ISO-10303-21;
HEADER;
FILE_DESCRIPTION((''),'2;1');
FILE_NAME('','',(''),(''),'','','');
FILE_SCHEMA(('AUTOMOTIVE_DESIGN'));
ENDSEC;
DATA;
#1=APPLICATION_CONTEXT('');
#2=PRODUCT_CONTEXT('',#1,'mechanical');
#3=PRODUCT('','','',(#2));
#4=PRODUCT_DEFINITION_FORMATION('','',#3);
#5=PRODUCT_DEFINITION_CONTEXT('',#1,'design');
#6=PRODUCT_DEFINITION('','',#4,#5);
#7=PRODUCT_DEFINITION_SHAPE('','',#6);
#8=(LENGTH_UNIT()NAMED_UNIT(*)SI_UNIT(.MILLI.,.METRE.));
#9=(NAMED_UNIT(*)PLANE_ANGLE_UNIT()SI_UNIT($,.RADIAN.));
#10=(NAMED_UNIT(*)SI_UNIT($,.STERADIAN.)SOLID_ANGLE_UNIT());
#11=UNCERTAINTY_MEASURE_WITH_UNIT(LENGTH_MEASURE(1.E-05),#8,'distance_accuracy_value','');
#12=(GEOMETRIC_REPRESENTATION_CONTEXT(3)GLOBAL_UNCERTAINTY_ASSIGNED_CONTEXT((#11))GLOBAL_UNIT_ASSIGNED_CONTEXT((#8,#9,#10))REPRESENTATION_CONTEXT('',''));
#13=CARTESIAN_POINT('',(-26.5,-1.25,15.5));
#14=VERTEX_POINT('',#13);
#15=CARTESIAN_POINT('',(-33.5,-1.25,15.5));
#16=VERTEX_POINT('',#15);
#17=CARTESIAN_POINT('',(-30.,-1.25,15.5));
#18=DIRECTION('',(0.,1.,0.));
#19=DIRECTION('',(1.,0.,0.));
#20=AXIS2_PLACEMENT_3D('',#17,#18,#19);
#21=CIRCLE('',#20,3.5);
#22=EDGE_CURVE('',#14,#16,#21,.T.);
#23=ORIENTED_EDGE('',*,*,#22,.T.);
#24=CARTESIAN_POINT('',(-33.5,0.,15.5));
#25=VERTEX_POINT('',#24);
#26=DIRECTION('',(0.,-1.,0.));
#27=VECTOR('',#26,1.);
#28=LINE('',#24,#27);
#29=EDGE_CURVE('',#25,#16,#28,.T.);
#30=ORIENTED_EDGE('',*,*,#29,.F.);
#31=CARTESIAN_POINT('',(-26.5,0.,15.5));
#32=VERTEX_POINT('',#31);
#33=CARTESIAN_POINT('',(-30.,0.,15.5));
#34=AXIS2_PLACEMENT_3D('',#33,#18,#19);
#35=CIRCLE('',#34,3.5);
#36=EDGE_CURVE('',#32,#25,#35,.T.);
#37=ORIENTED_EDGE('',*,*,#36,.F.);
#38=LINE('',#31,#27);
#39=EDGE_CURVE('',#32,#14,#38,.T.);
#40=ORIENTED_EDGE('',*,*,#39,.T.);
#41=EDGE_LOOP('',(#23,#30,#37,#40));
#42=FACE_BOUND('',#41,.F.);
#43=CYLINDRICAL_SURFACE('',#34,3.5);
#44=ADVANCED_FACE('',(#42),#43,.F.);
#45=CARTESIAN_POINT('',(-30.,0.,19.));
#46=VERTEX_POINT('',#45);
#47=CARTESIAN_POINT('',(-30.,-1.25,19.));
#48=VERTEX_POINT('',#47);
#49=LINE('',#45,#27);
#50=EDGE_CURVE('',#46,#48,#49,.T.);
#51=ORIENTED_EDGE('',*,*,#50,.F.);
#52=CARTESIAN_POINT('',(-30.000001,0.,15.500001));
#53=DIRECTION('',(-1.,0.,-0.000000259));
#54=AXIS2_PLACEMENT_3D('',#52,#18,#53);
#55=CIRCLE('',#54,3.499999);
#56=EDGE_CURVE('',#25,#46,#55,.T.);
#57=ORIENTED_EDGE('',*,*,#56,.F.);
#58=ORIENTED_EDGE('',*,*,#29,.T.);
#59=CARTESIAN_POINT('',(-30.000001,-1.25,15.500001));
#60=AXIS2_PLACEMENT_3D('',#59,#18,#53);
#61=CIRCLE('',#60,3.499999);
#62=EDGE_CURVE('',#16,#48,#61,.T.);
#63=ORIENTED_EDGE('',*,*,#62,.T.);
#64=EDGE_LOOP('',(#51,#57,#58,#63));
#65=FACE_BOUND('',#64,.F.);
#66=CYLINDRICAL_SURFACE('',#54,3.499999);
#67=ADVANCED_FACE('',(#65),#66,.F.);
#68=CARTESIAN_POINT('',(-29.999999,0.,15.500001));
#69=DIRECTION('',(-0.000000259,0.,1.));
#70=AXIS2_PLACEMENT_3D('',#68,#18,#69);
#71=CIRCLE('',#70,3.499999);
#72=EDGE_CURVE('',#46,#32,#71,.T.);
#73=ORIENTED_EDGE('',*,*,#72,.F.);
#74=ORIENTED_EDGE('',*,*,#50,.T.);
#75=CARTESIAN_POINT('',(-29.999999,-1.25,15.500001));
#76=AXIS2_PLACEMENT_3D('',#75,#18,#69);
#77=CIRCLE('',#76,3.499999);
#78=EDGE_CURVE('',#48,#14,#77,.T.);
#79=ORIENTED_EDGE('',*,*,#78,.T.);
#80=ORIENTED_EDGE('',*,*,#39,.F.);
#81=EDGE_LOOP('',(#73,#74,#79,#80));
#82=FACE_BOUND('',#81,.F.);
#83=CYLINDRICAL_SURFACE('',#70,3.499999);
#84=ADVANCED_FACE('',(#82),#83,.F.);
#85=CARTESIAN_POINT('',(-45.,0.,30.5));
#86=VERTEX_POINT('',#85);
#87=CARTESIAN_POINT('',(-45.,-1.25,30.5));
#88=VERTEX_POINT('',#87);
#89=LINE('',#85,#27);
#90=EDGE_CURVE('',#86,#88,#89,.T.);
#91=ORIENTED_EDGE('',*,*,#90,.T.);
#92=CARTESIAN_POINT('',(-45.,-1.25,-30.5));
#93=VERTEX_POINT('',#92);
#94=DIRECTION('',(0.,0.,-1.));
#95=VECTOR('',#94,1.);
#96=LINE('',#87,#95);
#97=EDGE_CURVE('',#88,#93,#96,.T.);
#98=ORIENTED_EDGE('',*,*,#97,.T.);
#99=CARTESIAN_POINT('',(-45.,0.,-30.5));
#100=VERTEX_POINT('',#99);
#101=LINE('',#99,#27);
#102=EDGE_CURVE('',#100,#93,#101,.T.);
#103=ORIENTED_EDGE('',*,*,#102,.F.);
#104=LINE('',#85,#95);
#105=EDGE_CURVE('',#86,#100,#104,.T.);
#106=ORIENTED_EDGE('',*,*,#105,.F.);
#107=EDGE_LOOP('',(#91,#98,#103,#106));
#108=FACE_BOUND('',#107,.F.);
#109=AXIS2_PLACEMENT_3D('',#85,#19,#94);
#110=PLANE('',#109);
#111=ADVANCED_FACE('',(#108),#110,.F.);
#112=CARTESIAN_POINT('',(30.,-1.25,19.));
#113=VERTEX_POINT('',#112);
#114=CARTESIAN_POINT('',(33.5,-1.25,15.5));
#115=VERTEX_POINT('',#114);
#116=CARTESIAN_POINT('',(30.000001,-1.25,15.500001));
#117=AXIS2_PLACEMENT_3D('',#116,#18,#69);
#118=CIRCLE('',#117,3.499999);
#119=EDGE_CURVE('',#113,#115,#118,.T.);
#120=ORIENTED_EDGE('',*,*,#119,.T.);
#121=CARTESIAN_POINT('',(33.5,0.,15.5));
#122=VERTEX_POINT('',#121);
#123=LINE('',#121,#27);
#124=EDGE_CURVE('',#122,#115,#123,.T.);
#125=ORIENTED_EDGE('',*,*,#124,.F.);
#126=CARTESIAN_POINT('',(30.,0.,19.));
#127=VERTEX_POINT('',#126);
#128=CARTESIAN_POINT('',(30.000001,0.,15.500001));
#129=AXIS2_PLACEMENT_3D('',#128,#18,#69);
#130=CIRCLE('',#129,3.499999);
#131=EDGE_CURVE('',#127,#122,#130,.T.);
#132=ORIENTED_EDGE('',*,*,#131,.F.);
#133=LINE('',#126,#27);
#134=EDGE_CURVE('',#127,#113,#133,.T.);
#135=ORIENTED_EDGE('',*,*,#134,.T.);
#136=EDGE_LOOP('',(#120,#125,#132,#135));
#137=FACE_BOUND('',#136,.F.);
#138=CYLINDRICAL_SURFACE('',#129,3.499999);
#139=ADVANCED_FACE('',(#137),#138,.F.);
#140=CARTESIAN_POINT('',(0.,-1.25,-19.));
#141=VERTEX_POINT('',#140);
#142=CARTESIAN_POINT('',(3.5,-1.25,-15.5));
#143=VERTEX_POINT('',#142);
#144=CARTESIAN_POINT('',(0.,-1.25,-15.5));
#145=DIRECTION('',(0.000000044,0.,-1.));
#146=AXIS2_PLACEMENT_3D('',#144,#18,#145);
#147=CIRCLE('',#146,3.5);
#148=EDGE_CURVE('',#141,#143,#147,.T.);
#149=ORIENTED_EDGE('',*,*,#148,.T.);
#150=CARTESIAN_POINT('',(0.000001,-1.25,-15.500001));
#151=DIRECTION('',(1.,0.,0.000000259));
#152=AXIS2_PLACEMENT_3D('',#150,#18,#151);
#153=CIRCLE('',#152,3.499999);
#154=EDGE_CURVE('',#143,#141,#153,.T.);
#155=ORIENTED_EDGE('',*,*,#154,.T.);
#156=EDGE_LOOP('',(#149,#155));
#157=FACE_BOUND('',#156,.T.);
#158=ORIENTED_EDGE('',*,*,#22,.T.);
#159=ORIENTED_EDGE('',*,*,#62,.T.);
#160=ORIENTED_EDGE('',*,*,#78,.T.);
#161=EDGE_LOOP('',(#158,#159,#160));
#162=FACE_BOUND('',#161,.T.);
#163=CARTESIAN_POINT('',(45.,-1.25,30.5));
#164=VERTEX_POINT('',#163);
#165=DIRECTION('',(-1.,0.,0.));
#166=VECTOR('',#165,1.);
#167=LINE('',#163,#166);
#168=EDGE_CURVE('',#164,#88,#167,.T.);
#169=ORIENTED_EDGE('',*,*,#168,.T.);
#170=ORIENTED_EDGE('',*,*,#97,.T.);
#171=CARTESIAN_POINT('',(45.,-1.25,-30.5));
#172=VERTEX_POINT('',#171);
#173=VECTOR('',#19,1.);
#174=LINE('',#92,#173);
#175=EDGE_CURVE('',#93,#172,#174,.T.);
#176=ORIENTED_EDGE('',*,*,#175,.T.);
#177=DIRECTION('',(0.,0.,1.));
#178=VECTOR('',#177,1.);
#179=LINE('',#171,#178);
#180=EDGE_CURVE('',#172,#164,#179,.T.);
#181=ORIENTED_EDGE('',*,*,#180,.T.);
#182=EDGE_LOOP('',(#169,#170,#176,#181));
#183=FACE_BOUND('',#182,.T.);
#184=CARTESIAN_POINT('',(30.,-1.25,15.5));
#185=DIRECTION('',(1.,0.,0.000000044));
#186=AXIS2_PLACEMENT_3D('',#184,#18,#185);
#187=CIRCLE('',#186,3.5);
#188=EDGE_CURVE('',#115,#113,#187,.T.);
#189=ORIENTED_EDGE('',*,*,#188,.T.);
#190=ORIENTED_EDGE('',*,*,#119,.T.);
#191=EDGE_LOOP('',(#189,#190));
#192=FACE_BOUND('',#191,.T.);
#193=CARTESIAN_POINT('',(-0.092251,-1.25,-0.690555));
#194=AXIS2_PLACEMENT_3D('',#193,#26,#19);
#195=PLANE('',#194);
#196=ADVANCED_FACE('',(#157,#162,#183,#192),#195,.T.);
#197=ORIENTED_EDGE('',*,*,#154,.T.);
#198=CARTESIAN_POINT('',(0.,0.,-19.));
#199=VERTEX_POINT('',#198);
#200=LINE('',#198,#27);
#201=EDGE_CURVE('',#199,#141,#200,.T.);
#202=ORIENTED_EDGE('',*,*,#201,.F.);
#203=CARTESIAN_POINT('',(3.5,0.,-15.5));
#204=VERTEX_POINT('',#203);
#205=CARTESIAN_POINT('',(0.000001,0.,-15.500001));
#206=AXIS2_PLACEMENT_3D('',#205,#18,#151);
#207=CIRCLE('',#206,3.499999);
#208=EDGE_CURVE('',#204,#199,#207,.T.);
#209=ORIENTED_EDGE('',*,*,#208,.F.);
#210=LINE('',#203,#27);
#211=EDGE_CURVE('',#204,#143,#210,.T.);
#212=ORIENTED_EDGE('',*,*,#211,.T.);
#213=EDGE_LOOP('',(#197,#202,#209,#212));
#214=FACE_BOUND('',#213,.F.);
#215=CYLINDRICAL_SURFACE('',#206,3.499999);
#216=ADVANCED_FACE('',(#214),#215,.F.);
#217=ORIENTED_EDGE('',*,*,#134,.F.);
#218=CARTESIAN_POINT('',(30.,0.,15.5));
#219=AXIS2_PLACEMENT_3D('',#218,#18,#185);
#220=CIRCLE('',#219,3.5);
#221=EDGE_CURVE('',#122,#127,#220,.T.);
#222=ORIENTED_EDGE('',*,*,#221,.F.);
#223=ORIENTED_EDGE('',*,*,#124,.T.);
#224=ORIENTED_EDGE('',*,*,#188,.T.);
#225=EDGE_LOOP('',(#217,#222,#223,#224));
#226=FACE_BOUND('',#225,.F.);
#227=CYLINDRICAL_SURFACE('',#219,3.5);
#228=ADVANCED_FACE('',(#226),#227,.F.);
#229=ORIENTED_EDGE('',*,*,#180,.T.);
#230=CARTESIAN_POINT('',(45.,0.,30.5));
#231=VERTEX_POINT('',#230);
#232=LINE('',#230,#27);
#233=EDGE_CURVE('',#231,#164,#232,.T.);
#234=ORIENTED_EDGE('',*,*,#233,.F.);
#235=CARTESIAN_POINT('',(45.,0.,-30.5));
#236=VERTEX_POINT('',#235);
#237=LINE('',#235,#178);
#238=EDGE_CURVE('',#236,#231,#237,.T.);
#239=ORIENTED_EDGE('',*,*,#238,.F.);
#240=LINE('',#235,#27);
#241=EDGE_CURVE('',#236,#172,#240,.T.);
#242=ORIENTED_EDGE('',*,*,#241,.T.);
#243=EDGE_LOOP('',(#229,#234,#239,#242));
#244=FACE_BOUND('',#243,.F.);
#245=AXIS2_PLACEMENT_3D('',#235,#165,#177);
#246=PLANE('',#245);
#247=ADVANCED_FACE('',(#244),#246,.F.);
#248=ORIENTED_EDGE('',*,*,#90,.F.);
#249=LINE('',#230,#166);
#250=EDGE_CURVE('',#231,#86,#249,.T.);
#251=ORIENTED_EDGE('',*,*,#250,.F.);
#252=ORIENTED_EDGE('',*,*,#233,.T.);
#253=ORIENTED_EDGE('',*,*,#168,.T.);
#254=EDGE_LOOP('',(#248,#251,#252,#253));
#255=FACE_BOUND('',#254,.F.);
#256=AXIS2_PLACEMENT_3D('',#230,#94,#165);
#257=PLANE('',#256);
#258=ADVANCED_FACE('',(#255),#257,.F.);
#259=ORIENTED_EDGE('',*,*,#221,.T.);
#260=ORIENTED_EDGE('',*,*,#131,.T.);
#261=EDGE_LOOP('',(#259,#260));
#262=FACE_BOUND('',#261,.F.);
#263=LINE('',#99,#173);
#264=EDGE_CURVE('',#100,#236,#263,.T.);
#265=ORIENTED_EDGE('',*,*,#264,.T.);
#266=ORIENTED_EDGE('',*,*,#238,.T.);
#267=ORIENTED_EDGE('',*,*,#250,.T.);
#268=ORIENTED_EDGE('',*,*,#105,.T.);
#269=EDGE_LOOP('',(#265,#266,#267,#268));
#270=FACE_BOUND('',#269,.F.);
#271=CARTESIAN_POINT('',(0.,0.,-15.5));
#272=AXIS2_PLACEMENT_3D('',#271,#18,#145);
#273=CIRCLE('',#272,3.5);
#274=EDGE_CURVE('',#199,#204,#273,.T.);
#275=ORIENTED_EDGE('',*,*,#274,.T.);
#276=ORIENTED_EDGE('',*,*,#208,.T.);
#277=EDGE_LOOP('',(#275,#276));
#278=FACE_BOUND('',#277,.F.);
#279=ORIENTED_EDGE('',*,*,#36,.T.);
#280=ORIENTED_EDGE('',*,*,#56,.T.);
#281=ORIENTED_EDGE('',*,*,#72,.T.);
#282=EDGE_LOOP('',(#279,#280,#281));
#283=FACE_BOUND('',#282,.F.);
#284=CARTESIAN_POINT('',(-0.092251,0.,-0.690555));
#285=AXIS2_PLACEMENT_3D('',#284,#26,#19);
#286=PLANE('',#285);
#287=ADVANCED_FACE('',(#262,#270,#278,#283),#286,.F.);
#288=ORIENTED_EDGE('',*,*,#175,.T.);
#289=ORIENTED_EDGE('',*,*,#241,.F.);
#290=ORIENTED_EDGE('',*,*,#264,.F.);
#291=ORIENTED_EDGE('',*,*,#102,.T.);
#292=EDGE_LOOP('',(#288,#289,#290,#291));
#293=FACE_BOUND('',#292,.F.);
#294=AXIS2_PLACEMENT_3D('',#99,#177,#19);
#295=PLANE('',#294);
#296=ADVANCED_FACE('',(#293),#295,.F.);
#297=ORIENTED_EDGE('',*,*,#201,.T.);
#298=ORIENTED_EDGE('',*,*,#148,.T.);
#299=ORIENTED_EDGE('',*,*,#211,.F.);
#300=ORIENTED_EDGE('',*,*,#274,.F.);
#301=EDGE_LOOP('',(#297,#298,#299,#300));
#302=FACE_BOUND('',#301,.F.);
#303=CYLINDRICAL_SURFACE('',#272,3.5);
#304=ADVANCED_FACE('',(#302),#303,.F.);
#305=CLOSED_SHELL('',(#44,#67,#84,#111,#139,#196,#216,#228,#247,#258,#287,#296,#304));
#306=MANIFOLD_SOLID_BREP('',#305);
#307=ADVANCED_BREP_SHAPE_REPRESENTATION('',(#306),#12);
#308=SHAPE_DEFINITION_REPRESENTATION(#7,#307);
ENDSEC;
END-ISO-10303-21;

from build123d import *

# Parameters (mm, degrees)
F1_DEPTH = 1.25


with BuildPart() as f1:
    # F0 (on Front) → F1 (new body)
    with BuildSketch(Plane.XZ):
        with BuildLine():
            Line((30, 30.5), (-30, 30.5))
            Line((-30, 30.5), (-30, 19))
            ThreePointArc((-30, 19), (-27.525126, 17.974874), (-26.5, 15.5))
            ThreePointArc((-26.5, 15.5), (-30, 12), (-33.5, 15.5))
            Line((-33.5, 15.5), (-45, 15.5))
            Line((-45, 15.5), (-45, -30.5))
            Line((-45, -30.5), (0, -30.5))
            Line((0, -30.5), (45, -30.5))
            Line((45, -30.5), (45, 15.5))
            Line((45, 15.5), (33.5, 15.5))
            ThreePointArc((33.5, 15.5), (27.525126, 13.025126), (30, 19))
            Line((30, 19), (30, 30.5))
        make_face()
        with BuildLine():
            ThreePointArc((3.5, -15.5), (2.474874, -17.974874), (0, -19))
            ThreePointArc((0, -19), (-2.474874, -13.025126), (3.5, -15.5))
        make_face(mode=Mode.SUBTRACT)
        with BuildLine():
            Line((-30, 30.5), (-45, 30.5))
            Line((-45, 30.5), (-45, 15.5))
            Line((-45, 15.5), (-33.5, 15.5))
            ThreePointArc((-33.5, 15.5), (-32.474874, 17.974874), (-30, 19))
            Line((-30, 19), (-30, 30.5))
        make_face()
        with BuildLine():
            Line((45, 30.5), (30, 30.5))
            Line((30, 30.5), (30, 19))
            ThreePointArc((30, 19), (32.474874, 17.974874), (33.5, 15.5))
            Line((33.5, 15.5), (45, 15.5))
            Line((45, 15.5), (45, 30.5))
        make_face()
    extrude(amount=F1_DEPTH)


solid = f1.part
